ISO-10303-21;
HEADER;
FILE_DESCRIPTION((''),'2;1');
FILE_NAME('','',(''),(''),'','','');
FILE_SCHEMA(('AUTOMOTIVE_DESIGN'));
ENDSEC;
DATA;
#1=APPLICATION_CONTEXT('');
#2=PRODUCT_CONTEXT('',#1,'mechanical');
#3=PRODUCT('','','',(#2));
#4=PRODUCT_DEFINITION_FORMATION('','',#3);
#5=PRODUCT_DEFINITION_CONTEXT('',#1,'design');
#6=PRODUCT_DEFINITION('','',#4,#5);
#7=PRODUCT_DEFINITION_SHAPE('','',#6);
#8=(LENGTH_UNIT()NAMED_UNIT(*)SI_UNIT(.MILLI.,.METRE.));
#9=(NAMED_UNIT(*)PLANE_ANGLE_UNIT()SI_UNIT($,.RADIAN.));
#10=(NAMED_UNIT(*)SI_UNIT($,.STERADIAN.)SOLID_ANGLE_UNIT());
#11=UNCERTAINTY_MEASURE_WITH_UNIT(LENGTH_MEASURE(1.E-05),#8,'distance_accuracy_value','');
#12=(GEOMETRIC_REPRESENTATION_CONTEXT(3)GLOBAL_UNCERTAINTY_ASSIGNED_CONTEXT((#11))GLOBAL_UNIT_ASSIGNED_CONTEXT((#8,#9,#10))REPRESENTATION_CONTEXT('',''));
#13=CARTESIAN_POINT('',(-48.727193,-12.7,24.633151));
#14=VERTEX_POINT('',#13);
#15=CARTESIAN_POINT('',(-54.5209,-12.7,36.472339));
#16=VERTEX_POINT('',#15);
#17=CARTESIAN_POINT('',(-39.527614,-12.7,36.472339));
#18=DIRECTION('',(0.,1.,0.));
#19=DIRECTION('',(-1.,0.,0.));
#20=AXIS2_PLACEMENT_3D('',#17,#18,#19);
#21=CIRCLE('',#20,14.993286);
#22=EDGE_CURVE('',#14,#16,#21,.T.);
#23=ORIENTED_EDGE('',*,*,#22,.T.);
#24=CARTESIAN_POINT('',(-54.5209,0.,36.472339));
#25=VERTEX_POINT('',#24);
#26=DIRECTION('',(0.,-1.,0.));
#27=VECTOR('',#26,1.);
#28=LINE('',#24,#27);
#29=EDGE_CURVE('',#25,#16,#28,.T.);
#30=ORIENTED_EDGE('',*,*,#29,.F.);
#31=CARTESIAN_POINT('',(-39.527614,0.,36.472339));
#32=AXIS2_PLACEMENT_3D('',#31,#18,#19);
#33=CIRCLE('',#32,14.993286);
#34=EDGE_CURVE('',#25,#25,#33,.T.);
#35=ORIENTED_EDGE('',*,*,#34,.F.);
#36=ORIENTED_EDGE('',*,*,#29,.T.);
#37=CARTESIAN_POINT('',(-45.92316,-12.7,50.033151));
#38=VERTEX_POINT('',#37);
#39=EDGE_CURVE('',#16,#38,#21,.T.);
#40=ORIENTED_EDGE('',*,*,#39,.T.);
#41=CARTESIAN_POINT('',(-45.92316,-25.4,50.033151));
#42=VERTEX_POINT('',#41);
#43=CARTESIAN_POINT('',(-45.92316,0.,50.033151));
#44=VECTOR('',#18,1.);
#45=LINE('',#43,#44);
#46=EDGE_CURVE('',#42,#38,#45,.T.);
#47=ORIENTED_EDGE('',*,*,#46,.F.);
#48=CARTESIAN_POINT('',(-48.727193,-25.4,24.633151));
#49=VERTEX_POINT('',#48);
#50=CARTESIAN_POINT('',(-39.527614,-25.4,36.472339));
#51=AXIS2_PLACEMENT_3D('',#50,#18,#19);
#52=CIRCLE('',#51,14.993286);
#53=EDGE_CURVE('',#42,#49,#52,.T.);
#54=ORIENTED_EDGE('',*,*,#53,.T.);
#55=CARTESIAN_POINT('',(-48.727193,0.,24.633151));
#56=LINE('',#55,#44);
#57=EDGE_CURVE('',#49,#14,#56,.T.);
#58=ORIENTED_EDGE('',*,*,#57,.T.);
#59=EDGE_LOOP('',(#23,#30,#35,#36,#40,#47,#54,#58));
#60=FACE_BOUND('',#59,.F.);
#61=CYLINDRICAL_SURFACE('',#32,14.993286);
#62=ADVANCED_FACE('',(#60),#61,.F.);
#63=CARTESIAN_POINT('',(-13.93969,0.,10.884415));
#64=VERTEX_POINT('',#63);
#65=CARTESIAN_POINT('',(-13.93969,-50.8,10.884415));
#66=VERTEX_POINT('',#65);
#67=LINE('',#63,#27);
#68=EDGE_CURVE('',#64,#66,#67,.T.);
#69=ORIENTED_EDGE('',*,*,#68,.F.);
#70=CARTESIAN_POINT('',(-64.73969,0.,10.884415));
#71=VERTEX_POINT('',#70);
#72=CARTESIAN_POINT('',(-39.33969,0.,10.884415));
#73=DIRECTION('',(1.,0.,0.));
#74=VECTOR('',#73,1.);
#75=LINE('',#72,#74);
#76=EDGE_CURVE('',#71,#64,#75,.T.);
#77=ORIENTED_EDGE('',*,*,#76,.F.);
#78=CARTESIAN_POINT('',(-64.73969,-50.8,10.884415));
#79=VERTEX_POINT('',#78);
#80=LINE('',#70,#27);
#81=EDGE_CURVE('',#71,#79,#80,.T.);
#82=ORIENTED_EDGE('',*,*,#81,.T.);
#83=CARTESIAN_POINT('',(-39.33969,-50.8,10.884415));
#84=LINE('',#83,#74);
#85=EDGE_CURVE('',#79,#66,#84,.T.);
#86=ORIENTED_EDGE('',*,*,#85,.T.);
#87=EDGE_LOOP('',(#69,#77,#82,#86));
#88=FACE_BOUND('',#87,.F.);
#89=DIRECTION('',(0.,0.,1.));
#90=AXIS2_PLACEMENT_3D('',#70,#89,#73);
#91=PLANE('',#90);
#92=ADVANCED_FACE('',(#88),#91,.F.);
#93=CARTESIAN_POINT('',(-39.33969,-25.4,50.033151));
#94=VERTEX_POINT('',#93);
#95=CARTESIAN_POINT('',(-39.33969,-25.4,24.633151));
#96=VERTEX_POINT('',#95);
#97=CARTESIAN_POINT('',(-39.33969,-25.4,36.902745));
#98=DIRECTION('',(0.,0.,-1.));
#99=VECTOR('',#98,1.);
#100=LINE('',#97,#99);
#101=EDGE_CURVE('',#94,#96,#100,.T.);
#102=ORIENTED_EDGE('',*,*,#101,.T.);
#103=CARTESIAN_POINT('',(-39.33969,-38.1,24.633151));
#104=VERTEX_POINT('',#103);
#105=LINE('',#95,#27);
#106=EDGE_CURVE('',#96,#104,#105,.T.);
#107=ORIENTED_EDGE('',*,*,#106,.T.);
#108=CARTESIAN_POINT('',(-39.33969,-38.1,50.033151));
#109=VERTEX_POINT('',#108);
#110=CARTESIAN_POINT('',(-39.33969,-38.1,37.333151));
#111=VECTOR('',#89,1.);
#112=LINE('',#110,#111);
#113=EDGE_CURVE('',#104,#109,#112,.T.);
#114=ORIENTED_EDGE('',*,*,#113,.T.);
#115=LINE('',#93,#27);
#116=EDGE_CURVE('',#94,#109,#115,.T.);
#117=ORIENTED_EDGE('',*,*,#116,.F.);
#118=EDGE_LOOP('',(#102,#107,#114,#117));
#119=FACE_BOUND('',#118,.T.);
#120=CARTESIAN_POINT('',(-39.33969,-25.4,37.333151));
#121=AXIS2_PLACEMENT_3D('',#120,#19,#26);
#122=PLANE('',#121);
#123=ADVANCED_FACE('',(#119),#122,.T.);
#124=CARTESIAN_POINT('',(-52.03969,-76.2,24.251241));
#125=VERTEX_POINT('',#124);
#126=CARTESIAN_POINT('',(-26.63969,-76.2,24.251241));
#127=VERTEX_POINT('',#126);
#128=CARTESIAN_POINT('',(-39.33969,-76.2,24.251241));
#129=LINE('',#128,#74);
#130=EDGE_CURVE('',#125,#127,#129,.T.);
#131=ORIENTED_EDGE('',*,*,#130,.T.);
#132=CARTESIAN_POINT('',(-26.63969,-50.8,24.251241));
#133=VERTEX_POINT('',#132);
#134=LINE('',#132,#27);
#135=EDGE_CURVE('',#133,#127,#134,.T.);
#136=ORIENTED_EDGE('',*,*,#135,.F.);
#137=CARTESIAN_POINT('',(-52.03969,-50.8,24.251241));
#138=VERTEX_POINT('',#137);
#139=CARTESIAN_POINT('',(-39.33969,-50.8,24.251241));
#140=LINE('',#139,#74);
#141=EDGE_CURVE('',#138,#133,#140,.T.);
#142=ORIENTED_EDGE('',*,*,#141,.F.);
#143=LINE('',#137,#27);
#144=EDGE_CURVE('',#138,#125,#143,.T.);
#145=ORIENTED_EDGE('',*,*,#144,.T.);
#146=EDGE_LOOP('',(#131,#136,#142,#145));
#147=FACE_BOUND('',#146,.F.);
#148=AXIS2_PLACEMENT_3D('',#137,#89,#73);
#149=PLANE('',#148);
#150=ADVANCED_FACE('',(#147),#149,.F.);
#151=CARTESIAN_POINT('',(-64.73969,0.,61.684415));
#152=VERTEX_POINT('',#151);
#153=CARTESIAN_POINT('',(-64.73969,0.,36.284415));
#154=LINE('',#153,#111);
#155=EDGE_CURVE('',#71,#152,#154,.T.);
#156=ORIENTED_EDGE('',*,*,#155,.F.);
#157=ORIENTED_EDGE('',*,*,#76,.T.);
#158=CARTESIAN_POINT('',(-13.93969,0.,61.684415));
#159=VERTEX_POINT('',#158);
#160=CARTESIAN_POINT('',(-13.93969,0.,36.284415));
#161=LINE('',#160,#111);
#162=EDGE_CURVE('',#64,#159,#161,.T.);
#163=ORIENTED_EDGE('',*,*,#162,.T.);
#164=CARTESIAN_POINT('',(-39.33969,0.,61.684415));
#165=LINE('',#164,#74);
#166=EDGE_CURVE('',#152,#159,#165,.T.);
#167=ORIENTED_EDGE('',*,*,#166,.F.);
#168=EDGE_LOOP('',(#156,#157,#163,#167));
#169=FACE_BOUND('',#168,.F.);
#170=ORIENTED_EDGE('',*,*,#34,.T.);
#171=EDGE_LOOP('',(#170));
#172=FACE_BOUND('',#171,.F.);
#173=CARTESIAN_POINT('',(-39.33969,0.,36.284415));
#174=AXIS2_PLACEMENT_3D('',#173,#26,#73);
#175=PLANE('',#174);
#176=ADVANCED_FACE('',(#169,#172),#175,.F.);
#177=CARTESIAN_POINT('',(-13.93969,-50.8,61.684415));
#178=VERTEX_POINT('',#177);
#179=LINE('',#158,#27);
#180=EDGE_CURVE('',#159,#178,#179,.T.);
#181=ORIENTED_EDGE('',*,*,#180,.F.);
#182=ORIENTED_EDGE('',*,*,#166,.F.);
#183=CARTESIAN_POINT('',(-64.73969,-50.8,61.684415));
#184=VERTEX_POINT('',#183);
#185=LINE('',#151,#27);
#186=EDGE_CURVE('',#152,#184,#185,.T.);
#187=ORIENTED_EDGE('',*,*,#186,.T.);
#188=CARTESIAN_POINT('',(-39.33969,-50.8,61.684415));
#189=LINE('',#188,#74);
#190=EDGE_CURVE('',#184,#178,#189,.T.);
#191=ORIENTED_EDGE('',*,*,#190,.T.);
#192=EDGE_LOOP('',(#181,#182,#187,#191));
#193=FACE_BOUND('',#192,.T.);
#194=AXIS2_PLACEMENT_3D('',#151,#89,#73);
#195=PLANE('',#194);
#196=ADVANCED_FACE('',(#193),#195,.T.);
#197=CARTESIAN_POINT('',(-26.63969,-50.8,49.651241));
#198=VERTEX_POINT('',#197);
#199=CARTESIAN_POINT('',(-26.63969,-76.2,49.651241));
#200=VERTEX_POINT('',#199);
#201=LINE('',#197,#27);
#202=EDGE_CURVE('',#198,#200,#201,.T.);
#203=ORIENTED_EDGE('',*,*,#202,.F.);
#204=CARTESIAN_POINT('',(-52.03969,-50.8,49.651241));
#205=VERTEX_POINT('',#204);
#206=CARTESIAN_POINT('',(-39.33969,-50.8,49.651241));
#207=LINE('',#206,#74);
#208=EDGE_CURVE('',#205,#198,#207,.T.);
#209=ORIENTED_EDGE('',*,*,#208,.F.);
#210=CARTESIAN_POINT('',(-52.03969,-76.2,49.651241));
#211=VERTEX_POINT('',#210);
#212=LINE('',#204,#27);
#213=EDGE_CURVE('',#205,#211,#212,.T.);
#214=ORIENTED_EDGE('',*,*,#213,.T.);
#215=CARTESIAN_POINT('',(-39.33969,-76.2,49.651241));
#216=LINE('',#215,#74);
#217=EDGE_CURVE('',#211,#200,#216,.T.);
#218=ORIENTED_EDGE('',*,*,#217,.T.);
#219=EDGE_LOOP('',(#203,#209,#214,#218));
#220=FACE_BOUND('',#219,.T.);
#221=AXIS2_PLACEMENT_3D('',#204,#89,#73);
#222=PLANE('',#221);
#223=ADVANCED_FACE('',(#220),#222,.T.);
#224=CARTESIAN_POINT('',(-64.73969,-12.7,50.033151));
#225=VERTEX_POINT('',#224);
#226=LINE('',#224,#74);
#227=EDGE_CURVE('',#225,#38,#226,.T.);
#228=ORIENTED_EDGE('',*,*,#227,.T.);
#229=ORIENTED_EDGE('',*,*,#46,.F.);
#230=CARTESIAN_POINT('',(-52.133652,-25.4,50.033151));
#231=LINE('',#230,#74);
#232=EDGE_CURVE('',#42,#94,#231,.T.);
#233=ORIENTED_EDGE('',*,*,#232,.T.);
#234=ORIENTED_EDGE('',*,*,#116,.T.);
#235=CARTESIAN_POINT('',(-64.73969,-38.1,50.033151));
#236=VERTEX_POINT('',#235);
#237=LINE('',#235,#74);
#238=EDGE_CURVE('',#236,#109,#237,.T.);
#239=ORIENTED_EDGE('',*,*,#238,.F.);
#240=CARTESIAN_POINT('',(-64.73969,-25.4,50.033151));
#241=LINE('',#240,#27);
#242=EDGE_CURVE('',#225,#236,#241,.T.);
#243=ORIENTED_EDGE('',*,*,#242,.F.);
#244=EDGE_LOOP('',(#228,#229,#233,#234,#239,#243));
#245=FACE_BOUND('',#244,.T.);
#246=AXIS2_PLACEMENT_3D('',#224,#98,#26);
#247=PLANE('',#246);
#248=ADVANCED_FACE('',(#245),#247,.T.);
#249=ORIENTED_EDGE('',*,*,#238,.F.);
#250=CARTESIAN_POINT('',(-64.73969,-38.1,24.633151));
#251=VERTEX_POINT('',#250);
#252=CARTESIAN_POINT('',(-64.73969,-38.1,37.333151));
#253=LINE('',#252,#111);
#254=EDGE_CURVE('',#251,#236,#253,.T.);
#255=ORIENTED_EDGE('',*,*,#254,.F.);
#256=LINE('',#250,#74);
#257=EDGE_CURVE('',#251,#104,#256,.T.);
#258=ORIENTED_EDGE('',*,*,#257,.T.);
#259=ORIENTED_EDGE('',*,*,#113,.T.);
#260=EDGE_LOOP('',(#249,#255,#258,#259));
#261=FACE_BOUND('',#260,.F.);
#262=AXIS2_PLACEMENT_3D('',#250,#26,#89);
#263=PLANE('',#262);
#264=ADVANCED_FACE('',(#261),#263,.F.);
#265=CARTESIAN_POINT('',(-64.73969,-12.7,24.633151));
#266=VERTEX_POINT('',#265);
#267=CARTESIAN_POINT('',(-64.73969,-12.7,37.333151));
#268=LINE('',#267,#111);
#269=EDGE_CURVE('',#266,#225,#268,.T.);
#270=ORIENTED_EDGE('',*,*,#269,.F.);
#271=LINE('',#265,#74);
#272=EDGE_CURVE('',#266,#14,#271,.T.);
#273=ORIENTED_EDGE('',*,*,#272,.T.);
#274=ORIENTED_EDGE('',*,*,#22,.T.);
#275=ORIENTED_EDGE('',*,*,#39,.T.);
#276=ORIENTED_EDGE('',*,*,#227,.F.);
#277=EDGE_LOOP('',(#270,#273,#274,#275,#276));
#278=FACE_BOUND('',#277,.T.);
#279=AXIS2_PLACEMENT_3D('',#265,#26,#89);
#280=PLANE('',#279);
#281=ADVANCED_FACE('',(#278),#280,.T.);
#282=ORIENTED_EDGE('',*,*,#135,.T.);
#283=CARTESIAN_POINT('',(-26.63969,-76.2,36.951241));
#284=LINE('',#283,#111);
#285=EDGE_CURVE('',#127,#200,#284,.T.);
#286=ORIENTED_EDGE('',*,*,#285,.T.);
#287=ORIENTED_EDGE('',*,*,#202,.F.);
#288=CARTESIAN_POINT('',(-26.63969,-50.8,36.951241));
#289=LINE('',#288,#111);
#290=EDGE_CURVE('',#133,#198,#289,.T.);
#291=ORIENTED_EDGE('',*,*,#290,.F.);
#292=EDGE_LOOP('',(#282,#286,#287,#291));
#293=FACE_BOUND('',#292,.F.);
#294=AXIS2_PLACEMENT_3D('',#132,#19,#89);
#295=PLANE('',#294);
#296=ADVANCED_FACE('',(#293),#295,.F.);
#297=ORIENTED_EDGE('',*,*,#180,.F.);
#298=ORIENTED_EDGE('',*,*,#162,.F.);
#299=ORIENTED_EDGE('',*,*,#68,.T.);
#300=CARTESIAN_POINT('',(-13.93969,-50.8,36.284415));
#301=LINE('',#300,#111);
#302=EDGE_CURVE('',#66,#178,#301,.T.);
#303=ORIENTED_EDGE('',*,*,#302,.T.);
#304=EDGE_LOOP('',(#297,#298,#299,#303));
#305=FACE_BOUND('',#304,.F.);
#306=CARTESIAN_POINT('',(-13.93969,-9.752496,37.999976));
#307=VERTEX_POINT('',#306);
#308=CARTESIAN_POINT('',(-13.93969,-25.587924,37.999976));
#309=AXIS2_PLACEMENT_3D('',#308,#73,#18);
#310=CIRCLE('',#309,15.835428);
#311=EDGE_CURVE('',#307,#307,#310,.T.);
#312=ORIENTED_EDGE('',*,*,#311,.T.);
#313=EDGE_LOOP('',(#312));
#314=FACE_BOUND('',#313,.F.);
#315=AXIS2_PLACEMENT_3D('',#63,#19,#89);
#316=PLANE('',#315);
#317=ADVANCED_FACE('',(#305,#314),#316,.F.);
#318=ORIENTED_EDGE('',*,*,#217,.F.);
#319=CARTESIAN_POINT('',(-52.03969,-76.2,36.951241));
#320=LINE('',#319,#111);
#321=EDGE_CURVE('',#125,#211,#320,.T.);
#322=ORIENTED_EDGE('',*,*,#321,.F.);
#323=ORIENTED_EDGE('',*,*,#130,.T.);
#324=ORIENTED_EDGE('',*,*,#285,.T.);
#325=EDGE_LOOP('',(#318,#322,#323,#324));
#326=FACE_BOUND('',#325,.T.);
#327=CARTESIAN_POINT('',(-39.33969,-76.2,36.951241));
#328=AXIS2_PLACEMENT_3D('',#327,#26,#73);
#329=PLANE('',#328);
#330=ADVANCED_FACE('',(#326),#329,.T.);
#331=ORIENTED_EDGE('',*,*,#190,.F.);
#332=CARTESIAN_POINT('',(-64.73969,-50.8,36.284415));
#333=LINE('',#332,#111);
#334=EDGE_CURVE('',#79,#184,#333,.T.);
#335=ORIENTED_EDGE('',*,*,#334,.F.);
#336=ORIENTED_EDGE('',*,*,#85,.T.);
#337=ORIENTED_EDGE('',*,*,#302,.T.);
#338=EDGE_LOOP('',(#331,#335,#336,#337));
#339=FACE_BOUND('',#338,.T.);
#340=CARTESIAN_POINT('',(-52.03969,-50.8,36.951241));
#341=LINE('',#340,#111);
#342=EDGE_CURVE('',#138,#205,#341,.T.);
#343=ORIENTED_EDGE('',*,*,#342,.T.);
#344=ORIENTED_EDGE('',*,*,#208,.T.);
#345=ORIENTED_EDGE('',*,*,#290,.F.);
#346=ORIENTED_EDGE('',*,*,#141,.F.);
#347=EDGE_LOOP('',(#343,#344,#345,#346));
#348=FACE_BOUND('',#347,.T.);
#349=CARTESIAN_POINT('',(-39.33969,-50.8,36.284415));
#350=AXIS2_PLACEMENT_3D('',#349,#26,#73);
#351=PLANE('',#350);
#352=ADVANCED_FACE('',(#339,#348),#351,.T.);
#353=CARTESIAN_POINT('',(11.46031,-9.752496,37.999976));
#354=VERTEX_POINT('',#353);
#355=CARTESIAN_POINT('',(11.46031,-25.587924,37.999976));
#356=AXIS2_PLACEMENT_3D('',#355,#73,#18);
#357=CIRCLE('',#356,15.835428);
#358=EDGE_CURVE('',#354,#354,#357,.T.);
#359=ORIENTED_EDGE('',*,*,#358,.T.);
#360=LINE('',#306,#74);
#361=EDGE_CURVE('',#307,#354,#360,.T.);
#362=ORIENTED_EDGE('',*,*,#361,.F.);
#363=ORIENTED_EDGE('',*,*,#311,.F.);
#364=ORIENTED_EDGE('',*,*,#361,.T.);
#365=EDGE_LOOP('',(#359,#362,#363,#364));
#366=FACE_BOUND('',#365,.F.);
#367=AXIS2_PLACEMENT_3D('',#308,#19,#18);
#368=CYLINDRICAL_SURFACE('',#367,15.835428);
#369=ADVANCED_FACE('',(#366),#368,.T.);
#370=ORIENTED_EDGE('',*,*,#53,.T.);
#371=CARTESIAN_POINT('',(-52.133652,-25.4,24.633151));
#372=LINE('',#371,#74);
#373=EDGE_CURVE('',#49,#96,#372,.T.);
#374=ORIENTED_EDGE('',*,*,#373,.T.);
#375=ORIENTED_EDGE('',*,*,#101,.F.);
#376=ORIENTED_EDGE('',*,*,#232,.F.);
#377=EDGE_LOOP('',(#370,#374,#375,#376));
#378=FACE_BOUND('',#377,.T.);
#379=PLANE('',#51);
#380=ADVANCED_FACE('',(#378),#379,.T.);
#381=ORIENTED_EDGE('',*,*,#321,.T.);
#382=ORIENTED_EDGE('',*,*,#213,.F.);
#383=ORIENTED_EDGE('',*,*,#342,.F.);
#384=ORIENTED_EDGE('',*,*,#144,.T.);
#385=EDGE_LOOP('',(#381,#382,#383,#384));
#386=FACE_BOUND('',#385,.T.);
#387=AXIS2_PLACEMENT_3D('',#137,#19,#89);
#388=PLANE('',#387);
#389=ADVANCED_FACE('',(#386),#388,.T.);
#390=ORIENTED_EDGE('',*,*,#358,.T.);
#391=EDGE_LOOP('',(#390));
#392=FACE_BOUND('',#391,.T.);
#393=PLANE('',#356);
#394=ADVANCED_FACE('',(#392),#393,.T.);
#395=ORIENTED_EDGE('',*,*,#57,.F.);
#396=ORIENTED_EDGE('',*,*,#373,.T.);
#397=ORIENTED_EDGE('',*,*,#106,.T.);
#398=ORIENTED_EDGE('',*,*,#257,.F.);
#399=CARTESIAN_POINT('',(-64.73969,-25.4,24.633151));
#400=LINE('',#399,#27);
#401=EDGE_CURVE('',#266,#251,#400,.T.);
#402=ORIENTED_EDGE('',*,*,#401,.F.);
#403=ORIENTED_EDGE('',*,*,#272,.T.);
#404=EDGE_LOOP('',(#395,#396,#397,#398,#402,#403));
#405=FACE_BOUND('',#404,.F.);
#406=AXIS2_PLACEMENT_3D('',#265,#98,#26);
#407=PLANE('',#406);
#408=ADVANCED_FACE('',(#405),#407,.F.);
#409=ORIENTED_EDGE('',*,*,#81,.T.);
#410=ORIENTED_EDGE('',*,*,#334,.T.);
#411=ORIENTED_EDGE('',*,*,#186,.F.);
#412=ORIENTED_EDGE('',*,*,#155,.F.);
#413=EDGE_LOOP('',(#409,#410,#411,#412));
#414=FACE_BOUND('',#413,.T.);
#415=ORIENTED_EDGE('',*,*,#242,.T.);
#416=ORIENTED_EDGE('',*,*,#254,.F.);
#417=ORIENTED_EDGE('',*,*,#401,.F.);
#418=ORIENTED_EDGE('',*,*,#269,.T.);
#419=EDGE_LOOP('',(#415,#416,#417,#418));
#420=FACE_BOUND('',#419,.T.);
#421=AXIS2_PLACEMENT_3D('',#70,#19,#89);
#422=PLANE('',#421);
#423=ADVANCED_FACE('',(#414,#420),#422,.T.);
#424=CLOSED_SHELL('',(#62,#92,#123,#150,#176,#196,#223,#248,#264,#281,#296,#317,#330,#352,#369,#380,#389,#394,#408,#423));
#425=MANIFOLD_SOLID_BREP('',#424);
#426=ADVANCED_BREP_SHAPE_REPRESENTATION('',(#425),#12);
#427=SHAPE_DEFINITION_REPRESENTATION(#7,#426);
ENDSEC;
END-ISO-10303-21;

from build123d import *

# Parameters (mm, degrees)
F0_W     = 50.8
F0_H     = 50.8
F1_DEPTH = 50.8
F2_W     = 25.4
F2_H     = 25.4
F3_DEPTH = 25.4
F4_W     = 25.4
F4_H     = 25.4
F5_DEPTH = 25.4
F6_R     = 15.835428
F7_DEPTH = 25.4
F8_R     = 14.993286
F9_DEPTH = 25.4


with BuildPart() as f1:
    # F0 (on Front) → F1 (new body)
    with BuildSketch(Plane.XZ):
        with Locations((-39.33969, 36.284415)):
            Rectangle(F0_W, F0_H)
    extrude(amount=F1_DEPTH)

    # F2 (on face) → F3 (join)
    with BuildSketch(Plane.XZ.offset(50.8)):
        with Locations((-39.33969, 36.951241)):
            Rectangle(F2_W, F2_H)
    extrude(amount=F3_DEPTH)

    # F4 (on face) → F5 (cut)
    with BuildSketch(Plane(origin=(-64.73969, 0, 0), x_dir=(0, -1, 0), z_dir=(-1, 0, 0))):
        with Locations((25.4, 37.333151)):
            Rectangle(F4_W, F4_H)
    extrude(amount=-F5_DEPTH, mode=Mode.SUBTRACT)

    # F6 (on face) → F7 (join)
    with BuildSketch(Plane.YZ.offset(-13.93969)):
        with Locations((-25.587924, 37.999976)):
            Circle(F6_R)
    extrude(amount=F7_DEPTH)

    # F8 (on face) → F9 (cut)
    with BuildSketch(Plane(origin=(0, 0, 0), x_dir=(-1, 0, 0), z_dir=(0, 1, 0))):
        with Locations((39.527614, 36.472339)):
            Circle(F8_R)
    extrude(amount=-F9_DEPTH, mode=Mode.SUBTRACT)


solid = f1.part
